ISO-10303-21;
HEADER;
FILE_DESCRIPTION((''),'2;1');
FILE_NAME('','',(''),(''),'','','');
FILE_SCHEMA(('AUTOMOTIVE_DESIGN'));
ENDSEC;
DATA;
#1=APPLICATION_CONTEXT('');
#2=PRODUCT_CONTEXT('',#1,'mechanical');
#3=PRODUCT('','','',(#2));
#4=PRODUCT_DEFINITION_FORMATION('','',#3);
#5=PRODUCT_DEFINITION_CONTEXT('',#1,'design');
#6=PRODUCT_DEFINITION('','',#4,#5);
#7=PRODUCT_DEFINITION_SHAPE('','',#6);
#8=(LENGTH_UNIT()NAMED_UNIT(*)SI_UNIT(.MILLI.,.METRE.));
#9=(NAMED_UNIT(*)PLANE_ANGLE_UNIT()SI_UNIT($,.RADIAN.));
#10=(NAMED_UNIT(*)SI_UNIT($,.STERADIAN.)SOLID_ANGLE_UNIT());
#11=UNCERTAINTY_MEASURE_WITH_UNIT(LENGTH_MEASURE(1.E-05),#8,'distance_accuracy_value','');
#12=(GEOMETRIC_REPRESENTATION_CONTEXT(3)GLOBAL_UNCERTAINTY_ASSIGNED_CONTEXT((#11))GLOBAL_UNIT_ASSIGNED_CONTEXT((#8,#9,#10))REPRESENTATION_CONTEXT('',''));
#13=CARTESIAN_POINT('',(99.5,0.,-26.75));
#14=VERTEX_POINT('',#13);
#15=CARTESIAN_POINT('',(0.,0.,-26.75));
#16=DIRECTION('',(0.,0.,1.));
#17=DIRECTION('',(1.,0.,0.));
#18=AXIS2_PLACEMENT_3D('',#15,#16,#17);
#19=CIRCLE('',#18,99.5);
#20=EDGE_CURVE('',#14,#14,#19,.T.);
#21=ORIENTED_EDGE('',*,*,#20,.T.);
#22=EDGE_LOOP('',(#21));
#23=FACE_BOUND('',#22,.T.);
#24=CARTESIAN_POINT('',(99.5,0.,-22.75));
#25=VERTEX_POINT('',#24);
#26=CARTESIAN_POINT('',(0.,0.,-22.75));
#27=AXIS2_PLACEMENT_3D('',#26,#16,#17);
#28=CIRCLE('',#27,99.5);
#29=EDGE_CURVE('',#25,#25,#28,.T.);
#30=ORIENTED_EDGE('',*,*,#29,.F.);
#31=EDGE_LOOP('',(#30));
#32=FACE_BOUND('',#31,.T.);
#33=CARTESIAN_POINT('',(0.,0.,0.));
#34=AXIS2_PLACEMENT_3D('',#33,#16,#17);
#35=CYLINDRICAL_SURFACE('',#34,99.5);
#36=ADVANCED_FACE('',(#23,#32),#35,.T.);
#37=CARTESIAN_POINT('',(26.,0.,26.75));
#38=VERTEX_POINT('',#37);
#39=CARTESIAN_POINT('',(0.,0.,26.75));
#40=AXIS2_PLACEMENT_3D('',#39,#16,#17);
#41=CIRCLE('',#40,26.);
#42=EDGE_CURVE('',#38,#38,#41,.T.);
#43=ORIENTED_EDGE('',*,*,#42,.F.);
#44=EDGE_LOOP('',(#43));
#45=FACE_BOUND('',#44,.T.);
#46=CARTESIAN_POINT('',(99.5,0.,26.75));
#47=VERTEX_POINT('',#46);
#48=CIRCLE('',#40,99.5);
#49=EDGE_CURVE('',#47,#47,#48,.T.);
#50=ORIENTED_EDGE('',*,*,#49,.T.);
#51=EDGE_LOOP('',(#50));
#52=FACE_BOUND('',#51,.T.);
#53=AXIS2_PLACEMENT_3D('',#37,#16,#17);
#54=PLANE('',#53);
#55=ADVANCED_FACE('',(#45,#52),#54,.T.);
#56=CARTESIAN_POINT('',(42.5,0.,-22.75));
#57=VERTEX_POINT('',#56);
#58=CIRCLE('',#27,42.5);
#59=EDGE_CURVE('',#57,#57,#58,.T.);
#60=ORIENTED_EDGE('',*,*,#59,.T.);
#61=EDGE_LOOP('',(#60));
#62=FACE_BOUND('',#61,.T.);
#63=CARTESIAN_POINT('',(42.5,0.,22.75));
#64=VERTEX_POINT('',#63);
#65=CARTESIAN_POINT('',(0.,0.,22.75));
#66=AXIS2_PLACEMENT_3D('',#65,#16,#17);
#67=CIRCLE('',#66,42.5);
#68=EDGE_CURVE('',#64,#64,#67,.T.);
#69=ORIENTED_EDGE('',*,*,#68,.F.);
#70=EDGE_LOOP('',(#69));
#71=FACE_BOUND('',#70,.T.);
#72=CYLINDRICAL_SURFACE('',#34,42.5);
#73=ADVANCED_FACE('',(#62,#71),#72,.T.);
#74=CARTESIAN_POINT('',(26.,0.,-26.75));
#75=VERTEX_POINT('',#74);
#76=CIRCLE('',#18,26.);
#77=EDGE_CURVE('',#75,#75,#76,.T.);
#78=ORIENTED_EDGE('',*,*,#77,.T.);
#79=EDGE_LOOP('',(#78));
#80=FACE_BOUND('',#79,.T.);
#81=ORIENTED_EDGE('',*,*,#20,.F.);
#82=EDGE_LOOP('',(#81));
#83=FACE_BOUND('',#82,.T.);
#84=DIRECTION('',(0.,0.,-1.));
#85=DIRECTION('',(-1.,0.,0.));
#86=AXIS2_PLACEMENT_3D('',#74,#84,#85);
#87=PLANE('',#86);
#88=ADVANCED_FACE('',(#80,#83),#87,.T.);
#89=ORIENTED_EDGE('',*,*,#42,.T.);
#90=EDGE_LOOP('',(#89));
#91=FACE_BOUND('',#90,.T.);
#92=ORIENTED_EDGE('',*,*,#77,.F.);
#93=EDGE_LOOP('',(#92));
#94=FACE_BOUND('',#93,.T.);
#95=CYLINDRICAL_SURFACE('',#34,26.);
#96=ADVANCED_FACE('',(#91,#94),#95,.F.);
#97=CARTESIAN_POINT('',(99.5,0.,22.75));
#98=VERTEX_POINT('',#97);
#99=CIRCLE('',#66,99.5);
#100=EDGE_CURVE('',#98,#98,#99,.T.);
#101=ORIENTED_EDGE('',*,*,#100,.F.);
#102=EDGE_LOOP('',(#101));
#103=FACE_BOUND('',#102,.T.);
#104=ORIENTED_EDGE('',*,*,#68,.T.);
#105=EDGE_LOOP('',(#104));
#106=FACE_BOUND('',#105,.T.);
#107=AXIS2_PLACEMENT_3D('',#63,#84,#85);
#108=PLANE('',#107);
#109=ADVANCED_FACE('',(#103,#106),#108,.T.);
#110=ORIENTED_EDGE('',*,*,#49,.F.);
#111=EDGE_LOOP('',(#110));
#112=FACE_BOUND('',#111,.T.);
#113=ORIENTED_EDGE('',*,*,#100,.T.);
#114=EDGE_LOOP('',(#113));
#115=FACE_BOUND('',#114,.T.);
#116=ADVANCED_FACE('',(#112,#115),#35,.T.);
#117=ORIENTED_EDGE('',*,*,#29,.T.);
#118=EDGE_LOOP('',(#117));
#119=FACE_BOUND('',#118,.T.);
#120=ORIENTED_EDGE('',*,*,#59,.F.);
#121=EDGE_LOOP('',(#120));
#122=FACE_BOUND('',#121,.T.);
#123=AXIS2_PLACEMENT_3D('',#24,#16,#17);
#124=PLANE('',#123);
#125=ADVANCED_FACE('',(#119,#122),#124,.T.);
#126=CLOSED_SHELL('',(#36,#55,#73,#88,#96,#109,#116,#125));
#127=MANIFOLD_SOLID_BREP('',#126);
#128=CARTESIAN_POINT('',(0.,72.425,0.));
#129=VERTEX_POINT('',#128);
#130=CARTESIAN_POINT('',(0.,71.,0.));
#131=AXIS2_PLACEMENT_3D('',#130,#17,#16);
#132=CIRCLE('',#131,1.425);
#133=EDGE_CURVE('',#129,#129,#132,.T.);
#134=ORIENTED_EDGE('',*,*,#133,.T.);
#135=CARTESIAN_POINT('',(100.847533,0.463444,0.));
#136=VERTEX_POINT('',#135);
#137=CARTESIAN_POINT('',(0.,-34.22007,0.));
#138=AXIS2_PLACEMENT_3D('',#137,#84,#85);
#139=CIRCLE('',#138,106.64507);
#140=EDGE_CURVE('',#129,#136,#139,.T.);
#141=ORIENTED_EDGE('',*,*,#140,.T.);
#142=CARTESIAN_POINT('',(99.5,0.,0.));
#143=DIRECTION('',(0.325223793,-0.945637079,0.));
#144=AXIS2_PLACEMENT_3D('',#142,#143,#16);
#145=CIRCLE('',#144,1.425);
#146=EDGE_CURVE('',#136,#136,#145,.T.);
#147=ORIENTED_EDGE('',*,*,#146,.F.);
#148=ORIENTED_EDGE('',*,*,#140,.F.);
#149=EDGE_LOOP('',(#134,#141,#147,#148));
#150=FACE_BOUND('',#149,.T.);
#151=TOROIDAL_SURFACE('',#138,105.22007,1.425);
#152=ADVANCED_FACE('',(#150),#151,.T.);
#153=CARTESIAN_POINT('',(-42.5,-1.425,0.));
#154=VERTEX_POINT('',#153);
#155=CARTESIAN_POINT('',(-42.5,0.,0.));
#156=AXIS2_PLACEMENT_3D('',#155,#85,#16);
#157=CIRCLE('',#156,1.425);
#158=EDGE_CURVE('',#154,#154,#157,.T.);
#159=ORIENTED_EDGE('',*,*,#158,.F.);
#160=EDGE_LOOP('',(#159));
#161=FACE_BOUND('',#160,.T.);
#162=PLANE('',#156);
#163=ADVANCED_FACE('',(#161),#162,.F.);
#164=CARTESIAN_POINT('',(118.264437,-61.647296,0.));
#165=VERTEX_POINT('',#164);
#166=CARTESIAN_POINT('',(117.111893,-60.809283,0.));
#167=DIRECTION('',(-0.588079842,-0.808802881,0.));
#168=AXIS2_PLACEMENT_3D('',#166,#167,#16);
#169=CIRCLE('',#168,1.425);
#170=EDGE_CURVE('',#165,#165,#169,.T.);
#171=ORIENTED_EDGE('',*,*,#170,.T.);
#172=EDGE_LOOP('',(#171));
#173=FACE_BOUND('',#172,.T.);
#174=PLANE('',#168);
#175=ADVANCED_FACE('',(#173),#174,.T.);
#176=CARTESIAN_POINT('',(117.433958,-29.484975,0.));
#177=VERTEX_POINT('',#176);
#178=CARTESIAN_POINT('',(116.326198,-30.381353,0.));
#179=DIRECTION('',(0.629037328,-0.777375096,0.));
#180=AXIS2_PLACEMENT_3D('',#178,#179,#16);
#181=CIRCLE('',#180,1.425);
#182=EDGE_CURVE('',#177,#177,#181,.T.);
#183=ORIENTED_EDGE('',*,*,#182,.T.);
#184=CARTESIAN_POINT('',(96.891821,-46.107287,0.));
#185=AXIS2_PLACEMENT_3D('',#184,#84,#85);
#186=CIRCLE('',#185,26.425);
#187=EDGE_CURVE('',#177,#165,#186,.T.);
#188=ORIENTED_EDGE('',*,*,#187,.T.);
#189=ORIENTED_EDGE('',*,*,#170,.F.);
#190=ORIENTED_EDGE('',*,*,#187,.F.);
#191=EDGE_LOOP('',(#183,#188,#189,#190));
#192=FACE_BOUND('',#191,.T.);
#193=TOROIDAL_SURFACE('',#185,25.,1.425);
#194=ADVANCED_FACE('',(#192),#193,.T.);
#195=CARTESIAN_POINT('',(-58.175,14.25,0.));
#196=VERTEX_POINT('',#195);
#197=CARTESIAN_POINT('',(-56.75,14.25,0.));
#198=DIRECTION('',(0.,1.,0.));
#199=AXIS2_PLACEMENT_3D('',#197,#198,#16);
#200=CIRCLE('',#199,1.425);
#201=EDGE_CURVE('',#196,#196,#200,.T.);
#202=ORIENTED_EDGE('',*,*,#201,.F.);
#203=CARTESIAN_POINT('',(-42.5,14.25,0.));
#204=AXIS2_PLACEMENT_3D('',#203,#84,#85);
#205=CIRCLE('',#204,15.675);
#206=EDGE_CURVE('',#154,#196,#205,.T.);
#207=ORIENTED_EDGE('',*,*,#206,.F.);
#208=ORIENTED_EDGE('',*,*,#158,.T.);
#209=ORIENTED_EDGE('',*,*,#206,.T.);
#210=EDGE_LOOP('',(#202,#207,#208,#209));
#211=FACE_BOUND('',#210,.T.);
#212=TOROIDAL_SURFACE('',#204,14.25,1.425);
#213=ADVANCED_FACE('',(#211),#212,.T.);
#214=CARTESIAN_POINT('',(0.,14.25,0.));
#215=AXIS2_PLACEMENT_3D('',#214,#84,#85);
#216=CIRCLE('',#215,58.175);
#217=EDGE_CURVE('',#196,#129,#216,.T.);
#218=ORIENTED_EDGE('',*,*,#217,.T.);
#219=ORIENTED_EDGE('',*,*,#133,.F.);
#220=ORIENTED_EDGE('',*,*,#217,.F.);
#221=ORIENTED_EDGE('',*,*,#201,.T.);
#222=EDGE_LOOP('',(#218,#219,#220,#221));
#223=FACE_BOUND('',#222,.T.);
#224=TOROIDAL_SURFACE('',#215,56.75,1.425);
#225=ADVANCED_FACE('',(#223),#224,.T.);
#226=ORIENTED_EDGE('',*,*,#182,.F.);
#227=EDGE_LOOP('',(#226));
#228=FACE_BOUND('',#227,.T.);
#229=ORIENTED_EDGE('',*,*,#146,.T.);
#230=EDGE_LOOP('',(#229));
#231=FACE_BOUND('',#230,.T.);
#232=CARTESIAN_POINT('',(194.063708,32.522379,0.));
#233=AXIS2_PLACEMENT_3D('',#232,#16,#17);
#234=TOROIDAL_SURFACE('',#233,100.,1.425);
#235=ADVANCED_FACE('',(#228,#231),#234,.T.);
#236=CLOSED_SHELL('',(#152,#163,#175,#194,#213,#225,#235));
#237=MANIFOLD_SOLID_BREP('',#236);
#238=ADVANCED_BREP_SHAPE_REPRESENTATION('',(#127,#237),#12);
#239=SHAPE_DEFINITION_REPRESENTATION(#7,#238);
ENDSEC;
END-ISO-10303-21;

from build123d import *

# Parameters (mm, degrees)
ESQUISSE3_R = 1.425


with BuildPart() as part:
    # Esquisse1 → Révolution1 (revolve)
    with BuildSketch(Plane(origin=(0, 0, 0), x_dir=(1, 0, 0), z_dir=(0, 1, 0))):
        Polygon((26, -26.75), (99.5, -26.75), (99.5, -22.75), (42.5, -22.75), (42.5, 22.75), (99.5, 22.75), (99.5, 26.75), (26, 26.75), align=None)
    revolve(axis=Axis((0, 0, 0), (0, 0, -1)))


with BuildPart() as body_2:
    # Balayage1: sweep along a path in Esquisse2
    with BuildLine(Plane.XY) as balayage1_path:
        ThreePointArc((-42.5, 0), (-52.576271632, 4.173728368), (-56.75, 14.25))
        ThreePointArc((-56.75, 14.25), (-40.128309832, 54.378309832), (0, 71))
        ThreePointArc((0, 71), (61.117202979, 51.430094316), (99.5, 0))
        ThreePointArc((99.5, 0), (106.584087108, -15.926727523), (116.326198226, -30.381353452))
        ThreePointArc((116.326198226, -30.381353452), (121.883490614, -45.461964379), (117.111892834, -60.809282688))
    # Esquisse3 → Balayage1 (sweep)
    with BuildSketch(Plane.ZY.offset(42.5)):
        Circle(ESQUISSE3_R)
    sweep(path=balayage1_path.line)


solid = Compound([part.part, body_2.part])
